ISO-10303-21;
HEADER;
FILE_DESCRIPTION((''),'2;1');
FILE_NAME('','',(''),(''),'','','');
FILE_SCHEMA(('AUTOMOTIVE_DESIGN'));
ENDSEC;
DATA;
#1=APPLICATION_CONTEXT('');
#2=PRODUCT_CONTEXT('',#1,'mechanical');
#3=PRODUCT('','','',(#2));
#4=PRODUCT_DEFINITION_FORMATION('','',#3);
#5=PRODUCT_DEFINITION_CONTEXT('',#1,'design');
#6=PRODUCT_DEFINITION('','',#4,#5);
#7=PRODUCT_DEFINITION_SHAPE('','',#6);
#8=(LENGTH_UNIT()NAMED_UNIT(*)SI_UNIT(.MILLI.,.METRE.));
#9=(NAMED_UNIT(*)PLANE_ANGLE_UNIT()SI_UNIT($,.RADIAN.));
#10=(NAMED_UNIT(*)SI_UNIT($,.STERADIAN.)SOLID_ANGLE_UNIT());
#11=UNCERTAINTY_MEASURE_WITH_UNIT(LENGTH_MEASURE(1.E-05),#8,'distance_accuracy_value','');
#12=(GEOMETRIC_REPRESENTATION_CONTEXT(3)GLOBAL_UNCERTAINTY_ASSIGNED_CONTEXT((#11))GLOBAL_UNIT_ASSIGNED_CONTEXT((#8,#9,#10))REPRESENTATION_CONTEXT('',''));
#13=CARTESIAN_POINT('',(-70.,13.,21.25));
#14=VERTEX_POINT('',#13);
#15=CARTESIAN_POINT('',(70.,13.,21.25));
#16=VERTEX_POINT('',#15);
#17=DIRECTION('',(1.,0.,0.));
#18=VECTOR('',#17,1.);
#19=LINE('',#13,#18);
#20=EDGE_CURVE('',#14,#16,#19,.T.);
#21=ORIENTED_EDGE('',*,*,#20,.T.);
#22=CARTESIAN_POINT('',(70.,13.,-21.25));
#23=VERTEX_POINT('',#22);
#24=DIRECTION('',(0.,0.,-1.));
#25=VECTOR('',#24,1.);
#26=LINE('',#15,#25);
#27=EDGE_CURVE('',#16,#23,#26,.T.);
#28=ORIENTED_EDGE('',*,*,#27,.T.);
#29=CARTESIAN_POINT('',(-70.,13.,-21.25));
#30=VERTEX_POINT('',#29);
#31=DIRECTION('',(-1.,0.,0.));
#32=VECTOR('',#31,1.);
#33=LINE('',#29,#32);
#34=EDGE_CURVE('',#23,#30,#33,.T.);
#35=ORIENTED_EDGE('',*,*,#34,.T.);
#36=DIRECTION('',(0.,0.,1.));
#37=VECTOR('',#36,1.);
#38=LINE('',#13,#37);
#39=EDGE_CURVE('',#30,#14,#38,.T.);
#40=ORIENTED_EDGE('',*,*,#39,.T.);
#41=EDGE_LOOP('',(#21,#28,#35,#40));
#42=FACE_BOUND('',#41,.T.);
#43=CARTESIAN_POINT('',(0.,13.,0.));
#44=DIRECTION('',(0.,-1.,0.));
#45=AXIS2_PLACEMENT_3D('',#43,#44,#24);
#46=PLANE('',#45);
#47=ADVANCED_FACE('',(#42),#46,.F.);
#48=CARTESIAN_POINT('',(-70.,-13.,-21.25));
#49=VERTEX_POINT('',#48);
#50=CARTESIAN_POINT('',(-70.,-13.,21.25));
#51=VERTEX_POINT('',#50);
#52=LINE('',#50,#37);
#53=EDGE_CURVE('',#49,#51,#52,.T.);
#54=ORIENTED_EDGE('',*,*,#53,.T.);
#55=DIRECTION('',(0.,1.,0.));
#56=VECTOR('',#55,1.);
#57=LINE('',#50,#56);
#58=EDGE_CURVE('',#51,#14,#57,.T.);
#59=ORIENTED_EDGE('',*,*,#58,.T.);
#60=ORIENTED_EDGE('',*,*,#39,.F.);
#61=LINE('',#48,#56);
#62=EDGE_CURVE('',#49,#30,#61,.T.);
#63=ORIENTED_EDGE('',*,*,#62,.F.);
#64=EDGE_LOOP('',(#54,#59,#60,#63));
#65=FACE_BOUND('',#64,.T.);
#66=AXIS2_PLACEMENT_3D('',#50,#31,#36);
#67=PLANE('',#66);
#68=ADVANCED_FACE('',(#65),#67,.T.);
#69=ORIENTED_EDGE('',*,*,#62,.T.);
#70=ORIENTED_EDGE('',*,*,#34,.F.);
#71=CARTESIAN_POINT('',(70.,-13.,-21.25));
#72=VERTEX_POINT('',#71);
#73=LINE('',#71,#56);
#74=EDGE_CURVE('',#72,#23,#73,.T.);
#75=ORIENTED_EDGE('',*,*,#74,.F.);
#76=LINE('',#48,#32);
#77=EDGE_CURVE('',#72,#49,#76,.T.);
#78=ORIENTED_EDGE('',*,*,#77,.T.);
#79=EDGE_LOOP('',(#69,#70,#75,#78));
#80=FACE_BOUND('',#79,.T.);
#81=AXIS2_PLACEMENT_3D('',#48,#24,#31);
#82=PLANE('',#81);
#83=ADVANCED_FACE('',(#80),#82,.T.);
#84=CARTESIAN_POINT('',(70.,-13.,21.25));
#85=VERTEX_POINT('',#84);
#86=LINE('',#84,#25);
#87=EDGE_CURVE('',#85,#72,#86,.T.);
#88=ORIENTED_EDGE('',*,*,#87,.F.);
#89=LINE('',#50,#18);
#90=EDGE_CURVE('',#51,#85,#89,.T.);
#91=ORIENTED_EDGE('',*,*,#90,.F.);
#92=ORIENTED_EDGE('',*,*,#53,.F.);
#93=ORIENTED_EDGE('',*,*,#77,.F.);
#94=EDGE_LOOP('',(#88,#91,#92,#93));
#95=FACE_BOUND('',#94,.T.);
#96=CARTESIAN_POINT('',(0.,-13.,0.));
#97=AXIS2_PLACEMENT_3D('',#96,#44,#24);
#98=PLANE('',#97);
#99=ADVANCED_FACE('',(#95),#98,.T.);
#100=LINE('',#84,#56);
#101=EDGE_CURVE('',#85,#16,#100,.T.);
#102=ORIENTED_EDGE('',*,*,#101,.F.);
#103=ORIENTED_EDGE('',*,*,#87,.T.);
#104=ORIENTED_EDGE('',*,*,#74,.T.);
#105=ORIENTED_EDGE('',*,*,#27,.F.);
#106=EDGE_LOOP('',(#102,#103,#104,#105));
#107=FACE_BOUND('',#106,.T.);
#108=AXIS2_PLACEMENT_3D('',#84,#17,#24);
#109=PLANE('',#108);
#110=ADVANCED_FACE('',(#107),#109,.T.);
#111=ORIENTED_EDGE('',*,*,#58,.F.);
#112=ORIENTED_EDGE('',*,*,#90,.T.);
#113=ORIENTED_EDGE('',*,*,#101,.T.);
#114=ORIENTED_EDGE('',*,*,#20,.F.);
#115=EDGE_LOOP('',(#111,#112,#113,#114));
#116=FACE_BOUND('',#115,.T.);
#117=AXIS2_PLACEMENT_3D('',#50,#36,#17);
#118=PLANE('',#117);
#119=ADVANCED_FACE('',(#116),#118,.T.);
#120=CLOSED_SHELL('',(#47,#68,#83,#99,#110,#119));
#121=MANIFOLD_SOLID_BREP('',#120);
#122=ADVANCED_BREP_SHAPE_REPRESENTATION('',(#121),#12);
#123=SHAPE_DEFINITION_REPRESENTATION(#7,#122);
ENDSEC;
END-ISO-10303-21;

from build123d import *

# Parameters (mm, degrees)
EXTRUDE_1_DEPTH      = 13
EXTRUDE_1_DEPTH_BACK = 13
SKETCH_1_W           = 140
SKETCH_1_H           = 42.5


with BuildPart() as part:
    # 草图1 → 凸台-拉伸1 (new, two sides: drawn at the far end of the back side and taken through both)
    with BuildSketch(Plane(origin=(0, 0, 0), x_dir=(1, 0, 0), z_dir=(0, 1, 0)).offset(-EXTRUDE_1_DEPTH_BACK)):
        Rectangle(SKETCH_1_W, SKETCH_1_H)
    extrude(amount=EXTRUDE_1_DEPTH + EXTRUDE_1_DEPTH_BACK)


solid = part.part
